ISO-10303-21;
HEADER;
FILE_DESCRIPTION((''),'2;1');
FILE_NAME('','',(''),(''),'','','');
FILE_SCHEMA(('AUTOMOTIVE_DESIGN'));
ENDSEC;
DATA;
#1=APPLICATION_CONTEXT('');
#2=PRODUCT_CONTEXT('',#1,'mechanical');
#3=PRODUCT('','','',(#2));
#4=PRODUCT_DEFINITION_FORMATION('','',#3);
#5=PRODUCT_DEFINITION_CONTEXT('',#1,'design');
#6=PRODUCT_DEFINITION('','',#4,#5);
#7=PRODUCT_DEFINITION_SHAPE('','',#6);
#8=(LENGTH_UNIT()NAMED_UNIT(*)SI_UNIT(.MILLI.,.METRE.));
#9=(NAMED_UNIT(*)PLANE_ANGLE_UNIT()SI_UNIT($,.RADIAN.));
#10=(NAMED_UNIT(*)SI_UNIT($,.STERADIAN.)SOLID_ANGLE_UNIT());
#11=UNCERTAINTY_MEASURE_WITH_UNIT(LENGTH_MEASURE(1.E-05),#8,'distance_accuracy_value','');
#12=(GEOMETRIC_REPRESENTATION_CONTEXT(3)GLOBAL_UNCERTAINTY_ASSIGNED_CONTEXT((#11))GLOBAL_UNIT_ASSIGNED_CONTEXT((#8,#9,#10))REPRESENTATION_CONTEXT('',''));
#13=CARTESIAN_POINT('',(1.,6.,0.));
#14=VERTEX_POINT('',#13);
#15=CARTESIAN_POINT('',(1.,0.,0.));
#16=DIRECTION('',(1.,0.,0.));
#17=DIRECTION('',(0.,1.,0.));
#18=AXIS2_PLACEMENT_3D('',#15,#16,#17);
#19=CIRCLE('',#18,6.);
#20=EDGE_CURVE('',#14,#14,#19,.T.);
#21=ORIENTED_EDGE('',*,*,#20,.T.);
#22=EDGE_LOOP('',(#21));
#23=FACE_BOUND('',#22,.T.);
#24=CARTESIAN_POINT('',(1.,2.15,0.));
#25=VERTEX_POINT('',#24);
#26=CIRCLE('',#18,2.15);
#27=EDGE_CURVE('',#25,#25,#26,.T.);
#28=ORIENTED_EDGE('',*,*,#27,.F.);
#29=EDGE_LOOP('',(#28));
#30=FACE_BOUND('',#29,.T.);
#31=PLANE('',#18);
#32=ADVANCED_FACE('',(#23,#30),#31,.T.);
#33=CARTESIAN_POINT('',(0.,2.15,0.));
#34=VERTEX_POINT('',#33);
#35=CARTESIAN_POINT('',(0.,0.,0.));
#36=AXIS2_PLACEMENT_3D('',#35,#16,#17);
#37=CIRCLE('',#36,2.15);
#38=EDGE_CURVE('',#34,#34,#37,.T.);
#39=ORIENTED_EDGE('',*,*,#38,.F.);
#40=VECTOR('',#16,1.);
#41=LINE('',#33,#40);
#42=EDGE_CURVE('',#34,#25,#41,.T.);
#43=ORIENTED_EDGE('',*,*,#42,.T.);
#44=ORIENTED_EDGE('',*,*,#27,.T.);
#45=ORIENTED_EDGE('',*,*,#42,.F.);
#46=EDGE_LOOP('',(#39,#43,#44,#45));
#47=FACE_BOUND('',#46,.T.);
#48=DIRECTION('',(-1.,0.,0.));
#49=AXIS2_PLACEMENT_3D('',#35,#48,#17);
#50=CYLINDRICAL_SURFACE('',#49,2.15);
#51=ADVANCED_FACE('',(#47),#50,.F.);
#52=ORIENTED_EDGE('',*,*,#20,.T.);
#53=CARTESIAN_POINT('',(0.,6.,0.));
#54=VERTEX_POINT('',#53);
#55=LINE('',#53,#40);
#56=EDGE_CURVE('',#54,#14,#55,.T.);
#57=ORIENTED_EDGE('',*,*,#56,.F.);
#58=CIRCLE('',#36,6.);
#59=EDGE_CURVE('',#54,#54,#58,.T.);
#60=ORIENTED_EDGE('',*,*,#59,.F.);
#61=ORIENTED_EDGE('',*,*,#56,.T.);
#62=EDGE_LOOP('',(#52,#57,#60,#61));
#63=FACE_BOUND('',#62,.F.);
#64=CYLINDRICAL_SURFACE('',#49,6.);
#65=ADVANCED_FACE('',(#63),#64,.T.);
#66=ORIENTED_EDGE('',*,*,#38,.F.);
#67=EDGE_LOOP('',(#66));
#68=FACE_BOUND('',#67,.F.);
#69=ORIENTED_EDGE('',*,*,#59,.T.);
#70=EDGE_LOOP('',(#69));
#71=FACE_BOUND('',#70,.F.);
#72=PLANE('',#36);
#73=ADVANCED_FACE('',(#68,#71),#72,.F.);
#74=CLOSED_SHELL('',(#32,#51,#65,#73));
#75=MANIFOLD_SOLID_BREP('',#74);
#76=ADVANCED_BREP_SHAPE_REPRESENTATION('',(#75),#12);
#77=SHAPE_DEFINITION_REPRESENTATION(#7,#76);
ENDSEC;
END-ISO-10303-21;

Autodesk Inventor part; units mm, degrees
ref_plane "YZ Plane" through (0, 0, 0) normal (1, 0, 0) x (0, 1, 0)
ref_plane "XZ Plane" through (0, 0, 0) normal (0, 1, 0) x (-1, 0, 0)
sketch "Skizze" plane through (0, 0, 0) normal (1, 0, 0) x (0, 1, 0)
  circle A0 centre (0, 0) radius 6
  circle A1 centre (0, 0) radius 2.15
  dimension "d0" = 4.3
  dimension "d1" = 12
extrude "Körper" add sketch "Skizze" along normal blind 1
ref_plane "Work Plane1" through (0, 0, 0) normal (0, 0, 1) x (1, 0, 0)
equation "\"d0\" = SD1"
equation "\"d1\" = SD2"
equation "\"d2\" = SD"
equation "\"SD1\" = 4.3"
equation "\"SD2\" = 12"
equation "\"SD\" = 1"
equation "\"NND\" = 4"
properties part number "DIN 9021 - 4,3" material "Stahl, weich"
